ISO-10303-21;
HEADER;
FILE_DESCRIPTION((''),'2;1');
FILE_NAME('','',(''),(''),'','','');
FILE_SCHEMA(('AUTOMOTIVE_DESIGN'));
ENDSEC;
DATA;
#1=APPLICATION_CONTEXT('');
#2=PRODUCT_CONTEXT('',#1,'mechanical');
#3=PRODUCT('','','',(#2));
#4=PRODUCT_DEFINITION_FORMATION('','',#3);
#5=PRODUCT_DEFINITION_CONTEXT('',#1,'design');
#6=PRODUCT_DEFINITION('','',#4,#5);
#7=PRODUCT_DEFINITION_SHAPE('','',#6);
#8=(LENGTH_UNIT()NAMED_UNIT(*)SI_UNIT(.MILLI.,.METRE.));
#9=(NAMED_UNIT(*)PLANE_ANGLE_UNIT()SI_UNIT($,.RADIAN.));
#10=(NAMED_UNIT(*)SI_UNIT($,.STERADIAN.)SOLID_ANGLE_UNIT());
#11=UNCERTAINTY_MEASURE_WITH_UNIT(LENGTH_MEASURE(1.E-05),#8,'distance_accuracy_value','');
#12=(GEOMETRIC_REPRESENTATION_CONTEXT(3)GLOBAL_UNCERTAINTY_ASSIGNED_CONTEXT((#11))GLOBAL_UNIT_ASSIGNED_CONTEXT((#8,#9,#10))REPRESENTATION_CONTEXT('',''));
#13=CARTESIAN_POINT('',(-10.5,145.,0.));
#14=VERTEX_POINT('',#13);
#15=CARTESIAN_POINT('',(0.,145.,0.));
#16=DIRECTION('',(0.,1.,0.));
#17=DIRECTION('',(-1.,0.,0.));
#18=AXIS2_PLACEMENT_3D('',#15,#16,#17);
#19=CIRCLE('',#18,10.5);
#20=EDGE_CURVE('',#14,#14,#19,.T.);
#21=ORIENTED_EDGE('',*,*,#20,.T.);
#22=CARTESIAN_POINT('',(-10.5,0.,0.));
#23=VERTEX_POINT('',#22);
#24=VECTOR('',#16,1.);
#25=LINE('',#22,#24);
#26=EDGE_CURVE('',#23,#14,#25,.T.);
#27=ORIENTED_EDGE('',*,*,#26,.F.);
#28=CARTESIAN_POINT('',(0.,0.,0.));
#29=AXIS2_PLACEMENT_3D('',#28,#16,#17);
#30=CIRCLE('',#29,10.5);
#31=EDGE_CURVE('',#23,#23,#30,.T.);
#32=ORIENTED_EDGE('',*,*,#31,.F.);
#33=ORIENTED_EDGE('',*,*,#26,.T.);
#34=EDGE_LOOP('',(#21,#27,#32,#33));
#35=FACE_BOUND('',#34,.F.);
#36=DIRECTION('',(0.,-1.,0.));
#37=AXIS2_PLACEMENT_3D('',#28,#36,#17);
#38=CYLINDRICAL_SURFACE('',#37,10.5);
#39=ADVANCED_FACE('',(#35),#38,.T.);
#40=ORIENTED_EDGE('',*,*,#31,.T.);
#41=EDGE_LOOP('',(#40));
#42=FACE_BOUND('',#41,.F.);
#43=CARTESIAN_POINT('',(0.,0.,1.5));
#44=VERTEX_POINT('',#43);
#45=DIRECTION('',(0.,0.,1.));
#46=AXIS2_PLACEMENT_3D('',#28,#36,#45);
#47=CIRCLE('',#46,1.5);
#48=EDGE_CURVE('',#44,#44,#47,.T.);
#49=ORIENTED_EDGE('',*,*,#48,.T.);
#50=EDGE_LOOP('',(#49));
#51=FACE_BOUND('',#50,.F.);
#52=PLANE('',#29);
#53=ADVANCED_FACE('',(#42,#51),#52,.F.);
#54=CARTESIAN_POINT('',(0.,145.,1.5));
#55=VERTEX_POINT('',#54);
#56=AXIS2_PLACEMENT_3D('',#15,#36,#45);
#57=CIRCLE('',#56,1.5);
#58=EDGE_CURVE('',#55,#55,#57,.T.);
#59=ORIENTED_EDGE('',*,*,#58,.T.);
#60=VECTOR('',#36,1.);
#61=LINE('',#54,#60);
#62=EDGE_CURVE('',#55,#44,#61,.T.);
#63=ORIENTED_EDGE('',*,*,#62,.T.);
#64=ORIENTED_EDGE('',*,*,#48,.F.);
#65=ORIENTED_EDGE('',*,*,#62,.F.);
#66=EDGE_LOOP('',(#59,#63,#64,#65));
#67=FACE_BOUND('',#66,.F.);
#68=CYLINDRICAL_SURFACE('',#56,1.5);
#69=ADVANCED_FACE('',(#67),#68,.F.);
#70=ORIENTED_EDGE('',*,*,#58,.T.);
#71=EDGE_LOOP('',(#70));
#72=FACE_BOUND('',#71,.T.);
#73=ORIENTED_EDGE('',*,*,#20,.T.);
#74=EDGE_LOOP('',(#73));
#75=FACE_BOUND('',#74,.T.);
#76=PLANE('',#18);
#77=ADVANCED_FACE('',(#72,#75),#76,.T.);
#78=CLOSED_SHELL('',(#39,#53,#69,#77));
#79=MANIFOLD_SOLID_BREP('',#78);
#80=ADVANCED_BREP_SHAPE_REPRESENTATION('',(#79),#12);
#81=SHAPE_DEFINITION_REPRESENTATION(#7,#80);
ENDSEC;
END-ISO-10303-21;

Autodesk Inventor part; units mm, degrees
ref_plane "YZ Plane" through (0, 0, 0) normal (1, 0, 0) x (0, 1, 0)
ref_plane "XZ Plane" through (0, 0, 0) normal (0, 1, 0) x (-1, 0, 0)
ref_plane "XY Plane" through (0, 0, 0) normal (0, 0, 1) x (1, 0, 0)
sketch "Эскиз1" plane through (0, 0, 0) normal (0, 1, 0) x (-1, 0, 0)
  circle A0 centre (0, 0) radius 10.5
  dimension "d0" = 21
extrude "Выдавливание1" add sketch "Эскиз1" along normal blind 145
sketch "Эскиз2" plane through (0, 145, 0) normal (0, 1, 0) x (1, 0, 0)
  point P0 (0, 0)
  point P1 (0, 0)
hole "Отверстие1" at (0, 145, 0) direction (0, -1, 0) diameter 3 end through all
properties part number "Вал"
